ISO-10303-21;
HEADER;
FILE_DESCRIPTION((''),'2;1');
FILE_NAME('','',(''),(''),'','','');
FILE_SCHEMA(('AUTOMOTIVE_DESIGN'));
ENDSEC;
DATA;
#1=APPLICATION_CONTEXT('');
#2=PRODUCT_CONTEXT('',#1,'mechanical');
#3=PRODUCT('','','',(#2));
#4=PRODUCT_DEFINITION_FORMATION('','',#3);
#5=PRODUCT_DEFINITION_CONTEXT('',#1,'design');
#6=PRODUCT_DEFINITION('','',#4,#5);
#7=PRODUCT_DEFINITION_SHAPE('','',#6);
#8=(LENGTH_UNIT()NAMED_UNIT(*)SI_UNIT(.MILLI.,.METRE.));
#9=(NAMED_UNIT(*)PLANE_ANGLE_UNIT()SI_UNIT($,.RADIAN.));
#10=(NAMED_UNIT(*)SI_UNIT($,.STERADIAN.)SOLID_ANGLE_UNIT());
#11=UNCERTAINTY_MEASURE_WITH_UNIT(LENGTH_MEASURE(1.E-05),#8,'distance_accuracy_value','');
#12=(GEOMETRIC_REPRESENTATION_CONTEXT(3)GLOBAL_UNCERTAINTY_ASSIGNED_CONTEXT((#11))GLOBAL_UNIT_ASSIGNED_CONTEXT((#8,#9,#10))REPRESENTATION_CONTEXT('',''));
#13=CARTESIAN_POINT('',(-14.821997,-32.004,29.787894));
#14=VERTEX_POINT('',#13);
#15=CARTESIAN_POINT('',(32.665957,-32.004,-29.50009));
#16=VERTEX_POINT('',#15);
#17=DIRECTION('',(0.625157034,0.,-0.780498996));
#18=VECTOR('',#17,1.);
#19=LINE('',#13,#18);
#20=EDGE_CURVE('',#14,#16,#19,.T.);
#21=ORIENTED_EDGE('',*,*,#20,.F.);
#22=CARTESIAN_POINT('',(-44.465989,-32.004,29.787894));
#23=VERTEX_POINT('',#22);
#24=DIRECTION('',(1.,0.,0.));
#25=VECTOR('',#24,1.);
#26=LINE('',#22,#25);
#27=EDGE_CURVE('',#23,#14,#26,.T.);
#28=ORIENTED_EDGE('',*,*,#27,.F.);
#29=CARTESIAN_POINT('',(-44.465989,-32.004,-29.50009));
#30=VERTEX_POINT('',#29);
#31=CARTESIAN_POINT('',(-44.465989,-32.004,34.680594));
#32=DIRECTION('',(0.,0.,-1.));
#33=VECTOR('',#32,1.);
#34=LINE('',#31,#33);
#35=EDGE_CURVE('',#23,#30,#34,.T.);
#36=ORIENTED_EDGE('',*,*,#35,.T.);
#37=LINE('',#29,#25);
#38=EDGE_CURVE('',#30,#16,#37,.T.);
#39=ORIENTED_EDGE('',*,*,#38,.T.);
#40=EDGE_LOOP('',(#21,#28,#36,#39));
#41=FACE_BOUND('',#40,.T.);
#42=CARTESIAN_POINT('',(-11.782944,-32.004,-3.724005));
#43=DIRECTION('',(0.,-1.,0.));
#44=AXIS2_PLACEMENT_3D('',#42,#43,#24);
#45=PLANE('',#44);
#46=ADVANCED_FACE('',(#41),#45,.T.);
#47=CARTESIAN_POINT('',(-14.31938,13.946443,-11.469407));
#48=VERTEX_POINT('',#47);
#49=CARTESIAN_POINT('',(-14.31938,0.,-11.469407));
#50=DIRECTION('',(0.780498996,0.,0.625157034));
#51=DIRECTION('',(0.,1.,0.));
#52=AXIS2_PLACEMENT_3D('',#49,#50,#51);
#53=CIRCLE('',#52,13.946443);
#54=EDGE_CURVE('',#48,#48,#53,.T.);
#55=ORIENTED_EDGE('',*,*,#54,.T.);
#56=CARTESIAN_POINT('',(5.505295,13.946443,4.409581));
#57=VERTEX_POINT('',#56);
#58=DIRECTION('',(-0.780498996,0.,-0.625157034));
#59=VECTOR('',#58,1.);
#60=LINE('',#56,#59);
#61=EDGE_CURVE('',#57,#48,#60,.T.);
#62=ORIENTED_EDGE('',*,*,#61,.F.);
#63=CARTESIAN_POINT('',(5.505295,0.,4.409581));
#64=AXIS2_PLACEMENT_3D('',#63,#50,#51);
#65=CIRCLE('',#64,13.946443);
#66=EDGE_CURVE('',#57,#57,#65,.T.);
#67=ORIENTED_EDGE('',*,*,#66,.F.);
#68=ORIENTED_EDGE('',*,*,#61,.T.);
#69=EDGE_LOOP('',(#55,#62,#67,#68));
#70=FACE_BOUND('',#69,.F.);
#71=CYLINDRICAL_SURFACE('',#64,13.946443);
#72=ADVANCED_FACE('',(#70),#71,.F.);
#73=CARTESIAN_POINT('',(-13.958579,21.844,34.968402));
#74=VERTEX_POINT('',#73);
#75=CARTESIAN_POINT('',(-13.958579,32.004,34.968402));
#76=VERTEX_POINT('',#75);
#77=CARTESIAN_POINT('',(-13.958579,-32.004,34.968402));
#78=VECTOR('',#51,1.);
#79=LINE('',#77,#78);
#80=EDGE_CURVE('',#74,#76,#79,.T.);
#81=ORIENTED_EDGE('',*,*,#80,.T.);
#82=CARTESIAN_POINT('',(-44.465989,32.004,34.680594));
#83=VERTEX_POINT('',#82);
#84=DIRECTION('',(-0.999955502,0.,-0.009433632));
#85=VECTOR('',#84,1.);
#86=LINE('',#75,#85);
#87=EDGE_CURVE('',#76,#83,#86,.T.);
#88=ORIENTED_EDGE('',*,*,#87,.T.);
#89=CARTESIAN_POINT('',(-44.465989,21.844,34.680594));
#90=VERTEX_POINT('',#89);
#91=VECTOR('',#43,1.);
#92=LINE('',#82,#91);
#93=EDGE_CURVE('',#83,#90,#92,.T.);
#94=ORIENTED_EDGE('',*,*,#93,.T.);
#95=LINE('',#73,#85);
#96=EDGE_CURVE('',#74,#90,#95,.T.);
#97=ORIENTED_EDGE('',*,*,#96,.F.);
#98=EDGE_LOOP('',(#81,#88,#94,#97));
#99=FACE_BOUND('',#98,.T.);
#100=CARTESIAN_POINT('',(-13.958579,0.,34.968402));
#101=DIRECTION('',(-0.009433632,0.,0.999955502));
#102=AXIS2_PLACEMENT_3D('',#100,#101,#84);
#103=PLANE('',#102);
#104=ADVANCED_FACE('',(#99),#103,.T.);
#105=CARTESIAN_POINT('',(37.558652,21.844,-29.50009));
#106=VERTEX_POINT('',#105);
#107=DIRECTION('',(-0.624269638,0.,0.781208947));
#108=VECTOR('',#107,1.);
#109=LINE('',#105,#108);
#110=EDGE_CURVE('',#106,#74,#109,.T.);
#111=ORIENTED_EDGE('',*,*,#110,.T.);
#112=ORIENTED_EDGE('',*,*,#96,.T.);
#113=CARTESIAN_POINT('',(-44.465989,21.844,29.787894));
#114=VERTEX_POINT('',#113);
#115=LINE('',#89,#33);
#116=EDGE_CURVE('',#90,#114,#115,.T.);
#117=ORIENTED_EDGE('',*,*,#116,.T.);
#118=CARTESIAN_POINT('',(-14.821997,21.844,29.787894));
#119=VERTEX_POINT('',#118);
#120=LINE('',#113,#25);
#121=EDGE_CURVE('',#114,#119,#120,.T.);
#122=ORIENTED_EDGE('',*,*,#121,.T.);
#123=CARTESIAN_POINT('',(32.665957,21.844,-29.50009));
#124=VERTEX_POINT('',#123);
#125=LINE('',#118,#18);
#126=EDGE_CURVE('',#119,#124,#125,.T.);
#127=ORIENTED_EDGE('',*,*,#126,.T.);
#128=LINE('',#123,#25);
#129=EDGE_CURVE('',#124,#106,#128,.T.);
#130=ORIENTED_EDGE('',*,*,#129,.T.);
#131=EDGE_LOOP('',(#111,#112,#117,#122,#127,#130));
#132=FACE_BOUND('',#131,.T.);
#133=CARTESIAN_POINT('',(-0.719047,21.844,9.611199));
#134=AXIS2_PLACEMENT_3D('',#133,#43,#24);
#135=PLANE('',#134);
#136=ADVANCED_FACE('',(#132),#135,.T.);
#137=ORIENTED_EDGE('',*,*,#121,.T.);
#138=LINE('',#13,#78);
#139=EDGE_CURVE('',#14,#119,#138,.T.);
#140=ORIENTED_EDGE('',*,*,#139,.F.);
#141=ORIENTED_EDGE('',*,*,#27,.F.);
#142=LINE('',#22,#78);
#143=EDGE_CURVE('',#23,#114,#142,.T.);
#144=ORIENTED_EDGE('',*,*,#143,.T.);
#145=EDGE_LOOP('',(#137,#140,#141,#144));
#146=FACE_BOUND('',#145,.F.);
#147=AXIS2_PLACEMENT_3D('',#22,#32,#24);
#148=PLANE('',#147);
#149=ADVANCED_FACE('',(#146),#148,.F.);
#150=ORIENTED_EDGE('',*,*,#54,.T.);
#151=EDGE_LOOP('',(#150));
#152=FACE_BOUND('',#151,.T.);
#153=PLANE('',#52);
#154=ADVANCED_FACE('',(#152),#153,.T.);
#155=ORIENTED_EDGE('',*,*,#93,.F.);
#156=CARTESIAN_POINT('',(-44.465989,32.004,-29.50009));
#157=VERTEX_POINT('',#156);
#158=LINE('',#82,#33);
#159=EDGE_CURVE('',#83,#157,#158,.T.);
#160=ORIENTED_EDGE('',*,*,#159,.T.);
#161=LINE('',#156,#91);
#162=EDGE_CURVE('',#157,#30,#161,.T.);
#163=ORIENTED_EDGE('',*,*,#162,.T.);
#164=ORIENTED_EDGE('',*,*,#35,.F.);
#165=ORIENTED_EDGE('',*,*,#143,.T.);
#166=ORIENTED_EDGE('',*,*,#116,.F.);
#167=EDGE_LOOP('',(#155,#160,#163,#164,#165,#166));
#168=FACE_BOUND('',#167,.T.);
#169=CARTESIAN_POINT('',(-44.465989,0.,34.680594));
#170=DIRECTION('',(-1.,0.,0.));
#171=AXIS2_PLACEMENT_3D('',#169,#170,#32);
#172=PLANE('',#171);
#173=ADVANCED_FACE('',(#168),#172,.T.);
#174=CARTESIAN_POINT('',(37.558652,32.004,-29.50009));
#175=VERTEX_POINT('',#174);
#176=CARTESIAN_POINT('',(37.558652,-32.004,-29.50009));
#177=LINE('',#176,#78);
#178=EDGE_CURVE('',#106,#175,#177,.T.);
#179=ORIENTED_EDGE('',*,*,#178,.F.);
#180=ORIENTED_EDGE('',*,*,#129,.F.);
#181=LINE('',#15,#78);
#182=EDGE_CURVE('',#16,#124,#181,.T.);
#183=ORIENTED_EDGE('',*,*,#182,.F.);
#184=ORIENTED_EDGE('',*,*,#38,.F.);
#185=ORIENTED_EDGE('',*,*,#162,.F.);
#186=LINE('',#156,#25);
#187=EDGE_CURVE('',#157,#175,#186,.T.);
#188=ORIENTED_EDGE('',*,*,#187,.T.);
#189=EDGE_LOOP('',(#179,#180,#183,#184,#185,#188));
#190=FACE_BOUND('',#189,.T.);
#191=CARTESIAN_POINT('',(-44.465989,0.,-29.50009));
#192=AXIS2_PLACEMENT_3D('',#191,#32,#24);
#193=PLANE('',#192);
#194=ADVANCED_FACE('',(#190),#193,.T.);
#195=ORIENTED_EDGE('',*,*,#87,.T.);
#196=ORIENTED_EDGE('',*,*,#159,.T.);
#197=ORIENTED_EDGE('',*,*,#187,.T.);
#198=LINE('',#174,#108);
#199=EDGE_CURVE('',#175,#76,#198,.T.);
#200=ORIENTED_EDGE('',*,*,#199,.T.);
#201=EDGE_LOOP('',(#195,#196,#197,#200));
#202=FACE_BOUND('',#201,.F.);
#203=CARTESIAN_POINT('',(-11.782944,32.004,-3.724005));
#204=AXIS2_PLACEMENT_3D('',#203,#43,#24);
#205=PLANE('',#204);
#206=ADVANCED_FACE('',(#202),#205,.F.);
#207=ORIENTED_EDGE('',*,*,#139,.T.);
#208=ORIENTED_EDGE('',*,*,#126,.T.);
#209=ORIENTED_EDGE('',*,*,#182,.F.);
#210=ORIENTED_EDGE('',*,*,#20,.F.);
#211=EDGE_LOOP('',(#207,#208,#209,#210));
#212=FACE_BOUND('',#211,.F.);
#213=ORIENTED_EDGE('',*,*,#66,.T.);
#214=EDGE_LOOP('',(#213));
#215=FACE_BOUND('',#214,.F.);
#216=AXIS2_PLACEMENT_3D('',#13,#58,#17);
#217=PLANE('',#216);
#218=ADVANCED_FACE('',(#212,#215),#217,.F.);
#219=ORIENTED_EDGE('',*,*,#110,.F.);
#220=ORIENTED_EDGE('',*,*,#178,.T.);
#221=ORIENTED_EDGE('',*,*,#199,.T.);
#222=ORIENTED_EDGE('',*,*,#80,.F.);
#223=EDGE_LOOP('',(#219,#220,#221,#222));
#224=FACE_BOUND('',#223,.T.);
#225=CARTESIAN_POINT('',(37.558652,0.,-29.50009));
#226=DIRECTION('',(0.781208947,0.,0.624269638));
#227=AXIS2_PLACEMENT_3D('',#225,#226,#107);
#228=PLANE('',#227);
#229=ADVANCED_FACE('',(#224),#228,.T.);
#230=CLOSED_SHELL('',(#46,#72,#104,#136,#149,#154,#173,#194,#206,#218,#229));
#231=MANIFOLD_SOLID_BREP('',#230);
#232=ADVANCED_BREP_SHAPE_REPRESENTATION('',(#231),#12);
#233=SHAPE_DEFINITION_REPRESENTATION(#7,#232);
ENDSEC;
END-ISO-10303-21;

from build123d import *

# Parameters (mm, degrees)
F1_DEPTH = 32.004
F2_DEPTH = 32.004
F4_DEPTH = 53.848
F5_R     = 13.9464432641
F6_DEPTH = 25.4


with BuildPart() as f1:
    # F0 (on Front) → F1 (new body)
    with BuildSketch(Plane.XZ):
        Polygon((-13.9585789293, 34.9684022367), (-44.4659888744, 34.6805937588), (-44.4659888744, -29.5000895858), (37.5586524606, -29.5000895858), align=None)
    extrude(amount=F1_DEPTH)

    # F2 (add): a face of the model
    f2_faces = [f1.faces().sort_by_distance(p)[0] for p in [
        (-14.3434422771, 0, -2.2296991065),
    ]]
    extrude(f2_faces, amount=F2_DEPTH)

    # F3 (on face) → F4 (cut)
    with BuildSketch(Plane.XZ.offset(32.004)):
        Polygon((-44.4659888744, 34.6805937588), (-44.4659888744, 29.7878943384), (-14.8219969124, 29.7878943384), (32.6659567654, -29.5000895858), (37.5586524606, -29.5000895858), (-13.9585789293, 34.9684022367), align=None)
    extrude(amount=-F4_DEPTH, mode=Mode.SUBTRACT)

    # F5 (on face) → F6 (cut)
    with BuildSketch(Plane(origin=(5.5052949063, 0, 4.409581372), x_dir=(0, 1, 0), z_dir=(0.7804989961, 0, 0.6251570339))):
        Circle(F5_R)
    extrude(amount=-F6_DEPTH, mode=Mode.SUBTRACT)


solid = f1.part
